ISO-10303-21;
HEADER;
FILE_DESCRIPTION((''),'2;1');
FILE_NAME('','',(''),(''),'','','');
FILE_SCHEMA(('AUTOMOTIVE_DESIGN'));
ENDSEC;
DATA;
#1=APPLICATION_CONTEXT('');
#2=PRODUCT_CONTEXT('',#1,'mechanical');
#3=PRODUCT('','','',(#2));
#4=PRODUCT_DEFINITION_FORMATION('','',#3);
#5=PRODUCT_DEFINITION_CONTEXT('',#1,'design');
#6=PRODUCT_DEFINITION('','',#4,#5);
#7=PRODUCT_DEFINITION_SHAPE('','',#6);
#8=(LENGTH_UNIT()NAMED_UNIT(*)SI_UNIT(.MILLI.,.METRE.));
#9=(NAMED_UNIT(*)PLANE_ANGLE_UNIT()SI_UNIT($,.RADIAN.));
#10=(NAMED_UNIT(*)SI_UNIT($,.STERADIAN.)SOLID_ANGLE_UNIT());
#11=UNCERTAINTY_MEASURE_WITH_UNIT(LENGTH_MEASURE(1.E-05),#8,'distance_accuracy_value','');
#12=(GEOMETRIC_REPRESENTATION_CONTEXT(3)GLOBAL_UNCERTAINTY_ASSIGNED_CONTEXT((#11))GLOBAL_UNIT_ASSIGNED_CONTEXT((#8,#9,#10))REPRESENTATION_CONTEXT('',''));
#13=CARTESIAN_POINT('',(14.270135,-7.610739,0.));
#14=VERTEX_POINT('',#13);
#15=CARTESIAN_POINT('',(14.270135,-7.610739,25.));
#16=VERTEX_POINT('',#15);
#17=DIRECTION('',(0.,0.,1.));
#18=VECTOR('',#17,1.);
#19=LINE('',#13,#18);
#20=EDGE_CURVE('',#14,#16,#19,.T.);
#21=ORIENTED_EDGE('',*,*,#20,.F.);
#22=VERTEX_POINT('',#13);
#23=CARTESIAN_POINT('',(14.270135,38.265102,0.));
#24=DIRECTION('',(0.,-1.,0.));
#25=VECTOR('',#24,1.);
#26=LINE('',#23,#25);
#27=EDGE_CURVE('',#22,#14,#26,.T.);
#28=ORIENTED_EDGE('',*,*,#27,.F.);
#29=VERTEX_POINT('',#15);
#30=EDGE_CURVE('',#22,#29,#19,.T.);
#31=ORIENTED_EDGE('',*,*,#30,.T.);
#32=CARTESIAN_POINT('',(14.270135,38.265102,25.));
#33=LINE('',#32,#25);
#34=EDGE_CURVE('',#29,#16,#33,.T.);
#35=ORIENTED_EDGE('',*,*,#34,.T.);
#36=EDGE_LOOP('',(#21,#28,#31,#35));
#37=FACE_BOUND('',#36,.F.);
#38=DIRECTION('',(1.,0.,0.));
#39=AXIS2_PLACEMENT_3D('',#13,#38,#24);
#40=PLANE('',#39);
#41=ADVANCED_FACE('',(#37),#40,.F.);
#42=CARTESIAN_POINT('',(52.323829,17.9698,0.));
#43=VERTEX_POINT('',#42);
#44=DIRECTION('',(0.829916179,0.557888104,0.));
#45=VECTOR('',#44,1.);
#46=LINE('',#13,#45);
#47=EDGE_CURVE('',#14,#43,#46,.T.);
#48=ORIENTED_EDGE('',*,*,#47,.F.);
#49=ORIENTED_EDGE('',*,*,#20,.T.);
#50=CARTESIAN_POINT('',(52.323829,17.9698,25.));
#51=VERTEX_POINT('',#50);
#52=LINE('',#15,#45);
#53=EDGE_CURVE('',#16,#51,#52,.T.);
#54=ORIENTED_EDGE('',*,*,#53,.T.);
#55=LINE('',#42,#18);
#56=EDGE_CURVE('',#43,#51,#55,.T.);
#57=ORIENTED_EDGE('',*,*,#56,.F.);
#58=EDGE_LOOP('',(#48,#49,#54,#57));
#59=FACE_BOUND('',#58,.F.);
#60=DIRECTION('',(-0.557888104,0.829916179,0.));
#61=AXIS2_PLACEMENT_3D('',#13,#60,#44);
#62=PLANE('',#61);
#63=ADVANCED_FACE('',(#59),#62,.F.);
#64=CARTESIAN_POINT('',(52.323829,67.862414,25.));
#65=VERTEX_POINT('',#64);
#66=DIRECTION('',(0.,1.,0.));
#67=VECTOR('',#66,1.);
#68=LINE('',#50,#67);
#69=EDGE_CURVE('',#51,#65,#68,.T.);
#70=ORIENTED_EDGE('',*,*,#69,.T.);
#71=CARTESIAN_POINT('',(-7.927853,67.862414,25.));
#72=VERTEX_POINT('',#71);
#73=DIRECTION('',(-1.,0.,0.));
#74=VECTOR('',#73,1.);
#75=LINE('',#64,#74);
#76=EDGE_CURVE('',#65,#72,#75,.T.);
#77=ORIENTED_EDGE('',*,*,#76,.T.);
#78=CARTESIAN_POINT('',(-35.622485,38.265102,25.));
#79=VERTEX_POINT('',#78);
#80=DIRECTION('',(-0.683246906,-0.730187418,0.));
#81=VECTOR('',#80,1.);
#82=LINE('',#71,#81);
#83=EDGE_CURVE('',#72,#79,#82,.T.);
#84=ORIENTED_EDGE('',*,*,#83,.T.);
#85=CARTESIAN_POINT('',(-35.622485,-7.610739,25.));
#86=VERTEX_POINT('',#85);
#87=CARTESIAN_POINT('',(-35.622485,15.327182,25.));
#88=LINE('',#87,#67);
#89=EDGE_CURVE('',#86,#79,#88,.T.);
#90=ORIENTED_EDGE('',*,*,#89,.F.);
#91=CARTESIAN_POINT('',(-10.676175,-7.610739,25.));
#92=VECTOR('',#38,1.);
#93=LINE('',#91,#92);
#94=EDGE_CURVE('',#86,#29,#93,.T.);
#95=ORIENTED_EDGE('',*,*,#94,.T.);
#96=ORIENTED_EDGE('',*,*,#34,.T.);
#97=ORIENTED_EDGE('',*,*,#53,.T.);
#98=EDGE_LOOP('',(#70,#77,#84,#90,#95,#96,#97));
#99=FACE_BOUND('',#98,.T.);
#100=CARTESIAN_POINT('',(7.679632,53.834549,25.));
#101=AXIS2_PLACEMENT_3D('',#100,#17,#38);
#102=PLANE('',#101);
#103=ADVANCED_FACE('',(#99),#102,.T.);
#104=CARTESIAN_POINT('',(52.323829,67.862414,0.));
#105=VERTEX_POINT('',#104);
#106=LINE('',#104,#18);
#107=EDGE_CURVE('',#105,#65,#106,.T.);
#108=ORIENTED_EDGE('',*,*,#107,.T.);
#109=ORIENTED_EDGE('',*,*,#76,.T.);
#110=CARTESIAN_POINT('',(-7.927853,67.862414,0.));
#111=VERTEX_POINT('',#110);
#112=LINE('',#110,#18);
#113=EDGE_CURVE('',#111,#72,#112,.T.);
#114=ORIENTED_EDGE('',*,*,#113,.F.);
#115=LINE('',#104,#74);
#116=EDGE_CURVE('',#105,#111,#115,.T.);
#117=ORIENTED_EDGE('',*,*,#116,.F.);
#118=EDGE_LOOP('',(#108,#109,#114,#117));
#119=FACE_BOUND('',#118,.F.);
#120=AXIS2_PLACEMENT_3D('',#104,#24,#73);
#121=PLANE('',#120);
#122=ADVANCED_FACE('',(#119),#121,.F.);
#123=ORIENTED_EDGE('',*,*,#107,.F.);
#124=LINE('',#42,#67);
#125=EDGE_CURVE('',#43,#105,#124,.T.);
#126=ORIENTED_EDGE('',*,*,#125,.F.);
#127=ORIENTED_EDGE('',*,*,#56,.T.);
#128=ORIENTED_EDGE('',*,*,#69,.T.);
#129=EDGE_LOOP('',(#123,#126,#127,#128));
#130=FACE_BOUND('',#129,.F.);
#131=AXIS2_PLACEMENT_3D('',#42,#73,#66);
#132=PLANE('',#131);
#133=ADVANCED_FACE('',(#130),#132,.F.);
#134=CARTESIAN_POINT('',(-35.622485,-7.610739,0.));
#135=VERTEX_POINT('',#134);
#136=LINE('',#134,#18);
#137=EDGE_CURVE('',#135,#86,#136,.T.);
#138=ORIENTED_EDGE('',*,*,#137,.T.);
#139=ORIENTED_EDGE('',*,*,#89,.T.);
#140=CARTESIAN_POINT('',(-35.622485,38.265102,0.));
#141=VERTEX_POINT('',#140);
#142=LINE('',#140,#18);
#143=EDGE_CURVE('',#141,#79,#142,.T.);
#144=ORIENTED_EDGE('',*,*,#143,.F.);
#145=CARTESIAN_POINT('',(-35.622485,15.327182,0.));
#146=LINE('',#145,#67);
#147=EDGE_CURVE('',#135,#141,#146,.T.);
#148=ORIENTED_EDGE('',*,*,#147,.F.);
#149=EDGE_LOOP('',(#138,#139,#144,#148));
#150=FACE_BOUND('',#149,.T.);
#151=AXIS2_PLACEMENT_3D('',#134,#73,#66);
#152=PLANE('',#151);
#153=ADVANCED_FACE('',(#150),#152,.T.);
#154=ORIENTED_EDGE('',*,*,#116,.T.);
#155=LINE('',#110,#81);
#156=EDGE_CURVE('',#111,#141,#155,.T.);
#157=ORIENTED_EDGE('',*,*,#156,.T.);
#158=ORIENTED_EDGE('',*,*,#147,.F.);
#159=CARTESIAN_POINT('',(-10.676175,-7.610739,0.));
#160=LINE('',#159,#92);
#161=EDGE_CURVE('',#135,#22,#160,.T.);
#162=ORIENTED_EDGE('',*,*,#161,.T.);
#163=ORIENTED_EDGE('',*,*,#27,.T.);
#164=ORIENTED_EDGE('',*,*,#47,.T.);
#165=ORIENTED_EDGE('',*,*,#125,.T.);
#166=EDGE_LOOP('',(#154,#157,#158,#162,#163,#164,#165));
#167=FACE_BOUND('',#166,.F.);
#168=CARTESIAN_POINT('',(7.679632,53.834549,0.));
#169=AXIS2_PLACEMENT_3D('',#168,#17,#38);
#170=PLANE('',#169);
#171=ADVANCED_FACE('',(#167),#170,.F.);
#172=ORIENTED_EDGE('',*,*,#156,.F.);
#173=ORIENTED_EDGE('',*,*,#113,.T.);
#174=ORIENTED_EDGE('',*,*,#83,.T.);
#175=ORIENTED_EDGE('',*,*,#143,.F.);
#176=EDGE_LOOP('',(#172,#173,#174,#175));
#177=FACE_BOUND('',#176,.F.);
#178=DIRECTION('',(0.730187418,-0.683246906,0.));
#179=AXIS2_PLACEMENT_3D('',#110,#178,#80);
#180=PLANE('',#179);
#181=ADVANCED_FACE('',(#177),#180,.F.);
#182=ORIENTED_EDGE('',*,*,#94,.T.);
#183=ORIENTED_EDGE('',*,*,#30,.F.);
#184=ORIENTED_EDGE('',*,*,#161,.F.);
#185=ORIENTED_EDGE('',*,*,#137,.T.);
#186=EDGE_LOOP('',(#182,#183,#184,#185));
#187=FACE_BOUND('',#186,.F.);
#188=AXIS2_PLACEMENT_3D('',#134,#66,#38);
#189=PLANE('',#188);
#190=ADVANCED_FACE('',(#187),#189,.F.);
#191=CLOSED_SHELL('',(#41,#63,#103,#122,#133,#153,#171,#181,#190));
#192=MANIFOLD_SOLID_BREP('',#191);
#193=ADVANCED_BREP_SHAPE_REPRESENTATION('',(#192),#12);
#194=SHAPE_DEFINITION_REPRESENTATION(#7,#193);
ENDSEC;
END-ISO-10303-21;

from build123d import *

# Parameters (mm, degrees)
F0_W     = 49.89262
F0_H     = 45.875841
F1_DEPTH = 25


with BuildPart() as f1:
    # F0 (on Top) → F1 (new body)
    with BuildSketch(Plane.XY):
        Polygon((-7.927853, 67.862414), (-35.622485, 38.265102), (14.270135, 38.265102), (52.323829, 67.862414), align=None)
        with Locations((-10.676175, 15.327182)):
            Rectangle(F0_W, F0_H)
        Polygon((52.323829, 67.862414), (14.270135, 38.265102), (14.270135, -7.610739), (52.323829, 17.9698), align=None)
    extrude(amount=F1_DEPTH)


solid = f1.part
